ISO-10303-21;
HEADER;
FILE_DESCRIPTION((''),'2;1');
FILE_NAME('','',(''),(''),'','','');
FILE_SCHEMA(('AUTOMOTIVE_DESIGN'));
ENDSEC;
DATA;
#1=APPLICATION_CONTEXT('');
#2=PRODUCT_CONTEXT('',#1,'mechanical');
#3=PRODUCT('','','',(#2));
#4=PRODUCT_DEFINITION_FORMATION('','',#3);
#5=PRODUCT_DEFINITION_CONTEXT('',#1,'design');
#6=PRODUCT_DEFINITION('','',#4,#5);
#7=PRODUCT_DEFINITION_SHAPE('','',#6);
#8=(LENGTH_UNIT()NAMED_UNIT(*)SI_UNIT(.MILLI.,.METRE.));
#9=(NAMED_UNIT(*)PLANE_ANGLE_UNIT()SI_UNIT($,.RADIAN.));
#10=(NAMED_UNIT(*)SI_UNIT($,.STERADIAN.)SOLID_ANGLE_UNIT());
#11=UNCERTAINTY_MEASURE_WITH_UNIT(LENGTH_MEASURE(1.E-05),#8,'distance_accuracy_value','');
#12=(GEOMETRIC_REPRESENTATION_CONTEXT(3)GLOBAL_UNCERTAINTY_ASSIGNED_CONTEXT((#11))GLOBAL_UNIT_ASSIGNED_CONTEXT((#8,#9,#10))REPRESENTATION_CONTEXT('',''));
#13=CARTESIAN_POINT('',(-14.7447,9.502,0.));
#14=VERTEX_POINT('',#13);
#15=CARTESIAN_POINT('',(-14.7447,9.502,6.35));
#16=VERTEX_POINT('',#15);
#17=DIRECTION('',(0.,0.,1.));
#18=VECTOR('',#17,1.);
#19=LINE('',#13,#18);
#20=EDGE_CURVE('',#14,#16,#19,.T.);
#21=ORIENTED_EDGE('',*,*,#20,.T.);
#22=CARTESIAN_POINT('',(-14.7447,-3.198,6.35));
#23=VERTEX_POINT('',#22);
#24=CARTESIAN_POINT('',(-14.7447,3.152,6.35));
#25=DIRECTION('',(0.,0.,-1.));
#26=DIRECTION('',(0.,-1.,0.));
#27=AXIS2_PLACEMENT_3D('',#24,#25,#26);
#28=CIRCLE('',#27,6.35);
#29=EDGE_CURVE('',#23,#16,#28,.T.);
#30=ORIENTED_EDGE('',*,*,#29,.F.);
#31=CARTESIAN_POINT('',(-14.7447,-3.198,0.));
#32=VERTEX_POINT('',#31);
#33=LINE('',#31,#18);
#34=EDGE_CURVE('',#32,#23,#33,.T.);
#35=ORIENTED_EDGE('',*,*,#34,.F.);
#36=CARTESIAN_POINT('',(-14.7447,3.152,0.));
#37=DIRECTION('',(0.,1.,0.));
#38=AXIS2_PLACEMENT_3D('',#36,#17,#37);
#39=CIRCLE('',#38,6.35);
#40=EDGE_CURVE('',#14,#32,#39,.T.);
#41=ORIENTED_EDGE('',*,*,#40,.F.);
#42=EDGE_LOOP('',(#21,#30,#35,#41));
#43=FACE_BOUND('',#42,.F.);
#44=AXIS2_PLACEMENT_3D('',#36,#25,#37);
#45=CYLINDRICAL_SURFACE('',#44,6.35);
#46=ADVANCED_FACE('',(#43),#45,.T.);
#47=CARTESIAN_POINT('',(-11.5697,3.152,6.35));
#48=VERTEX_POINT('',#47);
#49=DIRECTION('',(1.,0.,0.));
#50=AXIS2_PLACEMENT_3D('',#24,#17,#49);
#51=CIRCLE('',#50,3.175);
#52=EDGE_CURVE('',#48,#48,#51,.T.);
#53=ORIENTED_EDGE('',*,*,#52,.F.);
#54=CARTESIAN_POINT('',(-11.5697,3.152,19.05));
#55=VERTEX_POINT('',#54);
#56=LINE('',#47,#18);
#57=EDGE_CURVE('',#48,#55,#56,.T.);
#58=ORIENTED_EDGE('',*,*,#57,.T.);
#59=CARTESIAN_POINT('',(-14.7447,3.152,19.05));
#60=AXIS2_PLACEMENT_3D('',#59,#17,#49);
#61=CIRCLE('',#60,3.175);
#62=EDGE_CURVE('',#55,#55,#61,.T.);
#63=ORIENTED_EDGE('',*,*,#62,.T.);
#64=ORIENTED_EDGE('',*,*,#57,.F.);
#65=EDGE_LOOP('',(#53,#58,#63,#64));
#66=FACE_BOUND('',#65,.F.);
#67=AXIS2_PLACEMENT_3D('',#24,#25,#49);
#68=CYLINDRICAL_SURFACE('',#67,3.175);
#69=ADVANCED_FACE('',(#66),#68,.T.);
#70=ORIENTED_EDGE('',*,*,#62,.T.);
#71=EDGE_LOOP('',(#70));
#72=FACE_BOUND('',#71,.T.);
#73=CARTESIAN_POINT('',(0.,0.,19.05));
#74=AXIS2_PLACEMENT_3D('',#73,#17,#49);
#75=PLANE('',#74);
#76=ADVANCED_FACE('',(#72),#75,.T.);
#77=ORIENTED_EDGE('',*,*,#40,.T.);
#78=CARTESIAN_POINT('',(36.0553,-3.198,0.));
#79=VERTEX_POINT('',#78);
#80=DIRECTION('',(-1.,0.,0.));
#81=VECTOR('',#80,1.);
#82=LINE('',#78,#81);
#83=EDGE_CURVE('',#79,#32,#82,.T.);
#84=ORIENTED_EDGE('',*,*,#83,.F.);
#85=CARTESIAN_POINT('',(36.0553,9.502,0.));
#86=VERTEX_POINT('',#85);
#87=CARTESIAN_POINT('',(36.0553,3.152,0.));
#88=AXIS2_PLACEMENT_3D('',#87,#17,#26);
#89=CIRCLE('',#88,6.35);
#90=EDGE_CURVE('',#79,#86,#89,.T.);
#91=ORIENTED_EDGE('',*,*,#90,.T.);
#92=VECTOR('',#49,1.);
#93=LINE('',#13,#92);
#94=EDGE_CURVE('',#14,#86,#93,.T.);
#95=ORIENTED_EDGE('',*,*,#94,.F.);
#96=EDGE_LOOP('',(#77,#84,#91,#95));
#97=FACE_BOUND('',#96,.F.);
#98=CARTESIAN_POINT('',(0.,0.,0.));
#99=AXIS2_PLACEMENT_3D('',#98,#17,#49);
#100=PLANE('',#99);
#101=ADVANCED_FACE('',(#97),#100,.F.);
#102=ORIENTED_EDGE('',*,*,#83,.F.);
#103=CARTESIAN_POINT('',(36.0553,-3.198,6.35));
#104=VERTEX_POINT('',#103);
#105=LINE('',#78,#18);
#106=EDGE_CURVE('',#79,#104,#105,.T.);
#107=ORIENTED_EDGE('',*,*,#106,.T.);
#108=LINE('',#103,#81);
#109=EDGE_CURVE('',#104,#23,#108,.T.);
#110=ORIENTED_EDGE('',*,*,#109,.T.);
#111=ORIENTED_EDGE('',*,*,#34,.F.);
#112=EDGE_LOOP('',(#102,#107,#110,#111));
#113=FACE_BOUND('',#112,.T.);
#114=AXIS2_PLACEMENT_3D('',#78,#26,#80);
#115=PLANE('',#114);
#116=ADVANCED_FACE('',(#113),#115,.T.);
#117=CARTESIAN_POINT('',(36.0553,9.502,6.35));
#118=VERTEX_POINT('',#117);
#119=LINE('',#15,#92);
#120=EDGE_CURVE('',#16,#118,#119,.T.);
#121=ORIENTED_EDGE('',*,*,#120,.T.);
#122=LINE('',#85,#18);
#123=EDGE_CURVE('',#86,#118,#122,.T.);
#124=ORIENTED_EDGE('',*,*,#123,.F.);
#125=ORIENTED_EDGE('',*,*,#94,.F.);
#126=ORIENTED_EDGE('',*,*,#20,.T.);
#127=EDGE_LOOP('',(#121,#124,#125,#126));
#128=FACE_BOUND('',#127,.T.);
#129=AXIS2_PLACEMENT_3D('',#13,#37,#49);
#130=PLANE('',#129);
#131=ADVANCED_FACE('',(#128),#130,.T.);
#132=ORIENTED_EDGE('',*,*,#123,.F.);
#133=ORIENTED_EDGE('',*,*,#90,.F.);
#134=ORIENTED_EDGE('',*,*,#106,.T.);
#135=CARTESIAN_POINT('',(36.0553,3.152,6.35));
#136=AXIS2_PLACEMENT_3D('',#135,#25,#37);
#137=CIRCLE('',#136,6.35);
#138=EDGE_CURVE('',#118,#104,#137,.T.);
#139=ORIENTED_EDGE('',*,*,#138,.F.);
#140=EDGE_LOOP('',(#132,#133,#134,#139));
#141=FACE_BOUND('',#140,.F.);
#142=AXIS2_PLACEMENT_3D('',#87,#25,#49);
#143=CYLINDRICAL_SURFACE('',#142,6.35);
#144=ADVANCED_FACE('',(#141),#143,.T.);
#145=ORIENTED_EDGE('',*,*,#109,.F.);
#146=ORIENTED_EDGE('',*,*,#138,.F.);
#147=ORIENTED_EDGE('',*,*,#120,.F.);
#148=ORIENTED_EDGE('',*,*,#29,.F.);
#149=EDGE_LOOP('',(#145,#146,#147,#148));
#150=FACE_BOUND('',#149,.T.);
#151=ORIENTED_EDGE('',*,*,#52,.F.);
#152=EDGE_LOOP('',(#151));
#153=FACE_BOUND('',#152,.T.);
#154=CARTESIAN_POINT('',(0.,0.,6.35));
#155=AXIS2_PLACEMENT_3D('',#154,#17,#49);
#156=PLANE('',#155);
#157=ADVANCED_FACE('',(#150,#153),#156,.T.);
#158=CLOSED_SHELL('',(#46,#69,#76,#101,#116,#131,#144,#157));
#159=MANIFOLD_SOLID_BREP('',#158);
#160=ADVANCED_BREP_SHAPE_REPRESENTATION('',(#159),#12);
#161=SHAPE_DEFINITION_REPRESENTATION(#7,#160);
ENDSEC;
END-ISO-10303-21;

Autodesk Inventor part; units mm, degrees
ref_plane "YZ Plane" through (0, 0, 0) normal (1, 0, 0) x (0, 1, 0)
ref_plane "XZ Plane" through (0, 0, 0) normal (0, 1, 0) x (-1, 0, 0)
ref_plane "XY Plane" through (0, 0, 0) normal (0, 0, 1) x (1, 0, 0)
sketch "Sketch1" plane through (0, 0, 0) normal (0, 0, 1) x (1, 0, 0)
  line L0 (-14.7447, 9.502) -> (36.0553, 9.502)
  line L1 (42.4053, 3.152) -> (42.4053, 3.152)
  line L2 (36.0553, -3.198) -> (-14.7447, -3.198)
  line L3 (-21.0947, 3.152) -> (-21.0947, 3.152)
  arc A0 (-14.7447, 9.502) -> (-21.0947, 3.152) centre (-14.7447, 3.152) ccw
  arc A1 (-21.0947, 3.152) -> (-14.7447, -3.198) centre (-14.7447, 3.152) ccw
  arc A2 (42.4053, 3.152) -> (36.0553, 9.502) centre (36.0553, 3.152) ccw
  arc A3 (36.0553, -3.198) -> (42.4053, 3.152) centre (36.0553, 3.152) ccw
  point P0 (-21.0947, 9.502)
  point P1 (-21.0947, -3.198)
  dimension "d0" = 12.7
  dimension "d1" = 6.35
  dimension "d2" = 50.8
extrude "Extrusion1" add sketch "Sketch1" along normal blind 6.35
sketch "Sketch3" plane through (0, 0, 6.35) normal (0, 0, 1) x (1, 0, 0)
  arc A0 (-14.7447, 9.502) -> (-14.7447, -3.198) centre (-14.7447, 3.152) ccw projected
  circle A1 centre (-14.7447, 3.152) radius 3.175
  dimension "d12" = 6.35
extrude "Extrusion2" add sketch "Sketch3" along normal blind 12.7
properties part number "sliderarm"
